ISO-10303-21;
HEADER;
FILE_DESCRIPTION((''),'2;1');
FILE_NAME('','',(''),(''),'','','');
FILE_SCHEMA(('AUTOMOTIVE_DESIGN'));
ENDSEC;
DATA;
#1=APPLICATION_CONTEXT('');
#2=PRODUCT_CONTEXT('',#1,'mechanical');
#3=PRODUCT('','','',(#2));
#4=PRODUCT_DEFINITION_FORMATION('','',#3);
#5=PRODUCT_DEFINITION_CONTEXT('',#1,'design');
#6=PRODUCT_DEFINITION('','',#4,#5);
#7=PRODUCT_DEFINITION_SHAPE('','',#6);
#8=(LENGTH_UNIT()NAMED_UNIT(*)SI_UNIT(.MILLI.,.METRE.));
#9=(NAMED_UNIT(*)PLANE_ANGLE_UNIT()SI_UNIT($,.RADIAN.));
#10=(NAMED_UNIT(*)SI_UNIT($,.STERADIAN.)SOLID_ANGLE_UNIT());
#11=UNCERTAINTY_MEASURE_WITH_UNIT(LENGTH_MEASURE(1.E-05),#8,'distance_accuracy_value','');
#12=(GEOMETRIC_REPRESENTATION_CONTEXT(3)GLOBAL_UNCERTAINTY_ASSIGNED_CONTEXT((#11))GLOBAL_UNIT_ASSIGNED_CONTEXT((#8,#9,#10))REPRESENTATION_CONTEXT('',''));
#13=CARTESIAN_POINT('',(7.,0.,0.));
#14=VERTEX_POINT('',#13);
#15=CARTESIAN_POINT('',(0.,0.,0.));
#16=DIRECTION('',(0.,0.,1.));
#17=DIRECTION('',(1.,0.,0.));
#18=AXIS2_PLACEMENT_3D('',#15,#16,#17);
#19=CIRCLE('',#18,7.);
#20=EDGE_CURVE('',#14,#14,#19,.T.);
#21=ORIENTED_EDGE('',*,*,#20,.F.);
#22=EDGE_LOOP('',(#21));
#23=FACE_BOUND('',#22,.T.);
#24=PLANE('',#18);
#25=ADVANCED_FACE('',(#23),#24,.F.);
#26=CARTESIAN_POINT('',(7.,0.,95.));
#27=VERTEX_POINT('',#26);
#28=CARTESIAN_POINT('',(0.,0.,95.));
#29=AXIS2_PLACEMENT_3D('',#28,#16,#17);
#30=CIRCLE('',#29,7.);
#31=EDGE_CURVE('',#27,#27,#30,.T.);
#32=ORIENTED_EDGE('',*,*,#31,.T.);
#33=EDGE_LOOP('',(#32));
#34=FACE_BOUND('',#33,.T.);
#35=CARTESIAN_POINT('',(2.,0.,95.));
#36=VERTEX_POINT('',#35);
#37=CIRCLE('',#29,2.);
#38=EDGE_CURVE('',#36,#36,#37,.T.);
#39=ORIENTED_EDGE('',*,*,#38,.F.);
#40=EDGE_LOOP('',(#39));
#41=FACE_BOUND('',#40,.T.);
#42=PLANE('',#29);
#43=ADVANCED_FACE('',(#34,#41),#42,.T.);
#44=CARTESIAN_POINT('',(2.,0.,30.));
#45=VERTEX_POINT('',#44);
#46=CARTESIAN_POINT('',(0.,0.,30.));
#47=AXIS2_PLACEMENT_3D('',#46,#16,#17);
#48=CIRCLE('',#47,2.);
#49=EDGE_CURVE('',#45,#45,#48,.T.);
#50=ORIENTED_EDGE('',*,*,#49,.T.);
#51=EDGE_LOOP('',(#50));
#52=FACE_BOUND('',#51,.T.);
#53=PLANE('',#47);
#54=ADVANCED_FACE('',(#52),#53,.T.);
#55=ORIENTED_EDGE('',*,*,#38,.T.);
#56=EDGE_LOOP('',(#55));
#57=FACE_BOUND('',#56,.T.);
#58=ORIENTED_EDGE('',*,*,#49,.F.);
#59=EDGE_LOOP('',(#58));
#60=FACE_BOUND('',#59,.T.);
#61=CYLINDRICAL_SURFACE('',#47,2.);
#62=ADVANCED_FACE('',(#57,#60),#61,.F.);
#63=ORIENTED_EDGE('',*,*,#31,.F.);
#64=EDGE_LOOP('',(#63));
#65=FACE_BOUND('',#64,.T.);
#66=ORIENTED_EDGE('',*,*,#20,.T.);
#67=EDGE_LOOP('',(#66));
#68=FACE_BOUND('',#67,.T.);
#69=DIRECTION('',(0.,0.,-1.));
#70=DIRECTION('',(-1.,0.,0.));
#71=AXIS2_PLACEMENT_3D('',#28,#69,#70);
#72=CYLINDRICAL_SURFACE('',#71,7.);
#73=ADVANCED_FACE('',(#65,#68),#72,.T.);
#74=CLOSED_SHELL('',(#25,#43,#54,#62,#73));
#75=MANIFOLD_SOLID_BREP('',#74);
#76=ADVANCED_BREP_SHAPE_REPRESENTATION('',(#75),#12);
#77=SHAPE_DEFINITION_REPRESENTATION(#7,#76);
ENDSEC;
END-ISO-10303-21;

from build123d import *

# Parameters (mm, degrees)
SKETCH_1_R          = 7
EXTRUDE_1_DEPTH     = 95
SKETCH_2_R          = 2
CUT_EXTRUDE_1_DEPTH = 65


with BuildPart() as part:
    # 草图1 → 凸台-拉伸1 (new body)
    with BuildSketch(Plane.XY):
        Circle(SKETCH_1_R)
    extrude(amount=EXTRUDE_1_DEPTH)

    # 草图2 → 切除-拉伸1 (cut)
    with BuildSketch(Plane.XY.offset(95)):
        Circle(SKETCH_2_R)
    extrude(amount=-CUT_EXTRUDE_1_DEPTH, mode=Mode.SUBTRACT)


solid = part.part
